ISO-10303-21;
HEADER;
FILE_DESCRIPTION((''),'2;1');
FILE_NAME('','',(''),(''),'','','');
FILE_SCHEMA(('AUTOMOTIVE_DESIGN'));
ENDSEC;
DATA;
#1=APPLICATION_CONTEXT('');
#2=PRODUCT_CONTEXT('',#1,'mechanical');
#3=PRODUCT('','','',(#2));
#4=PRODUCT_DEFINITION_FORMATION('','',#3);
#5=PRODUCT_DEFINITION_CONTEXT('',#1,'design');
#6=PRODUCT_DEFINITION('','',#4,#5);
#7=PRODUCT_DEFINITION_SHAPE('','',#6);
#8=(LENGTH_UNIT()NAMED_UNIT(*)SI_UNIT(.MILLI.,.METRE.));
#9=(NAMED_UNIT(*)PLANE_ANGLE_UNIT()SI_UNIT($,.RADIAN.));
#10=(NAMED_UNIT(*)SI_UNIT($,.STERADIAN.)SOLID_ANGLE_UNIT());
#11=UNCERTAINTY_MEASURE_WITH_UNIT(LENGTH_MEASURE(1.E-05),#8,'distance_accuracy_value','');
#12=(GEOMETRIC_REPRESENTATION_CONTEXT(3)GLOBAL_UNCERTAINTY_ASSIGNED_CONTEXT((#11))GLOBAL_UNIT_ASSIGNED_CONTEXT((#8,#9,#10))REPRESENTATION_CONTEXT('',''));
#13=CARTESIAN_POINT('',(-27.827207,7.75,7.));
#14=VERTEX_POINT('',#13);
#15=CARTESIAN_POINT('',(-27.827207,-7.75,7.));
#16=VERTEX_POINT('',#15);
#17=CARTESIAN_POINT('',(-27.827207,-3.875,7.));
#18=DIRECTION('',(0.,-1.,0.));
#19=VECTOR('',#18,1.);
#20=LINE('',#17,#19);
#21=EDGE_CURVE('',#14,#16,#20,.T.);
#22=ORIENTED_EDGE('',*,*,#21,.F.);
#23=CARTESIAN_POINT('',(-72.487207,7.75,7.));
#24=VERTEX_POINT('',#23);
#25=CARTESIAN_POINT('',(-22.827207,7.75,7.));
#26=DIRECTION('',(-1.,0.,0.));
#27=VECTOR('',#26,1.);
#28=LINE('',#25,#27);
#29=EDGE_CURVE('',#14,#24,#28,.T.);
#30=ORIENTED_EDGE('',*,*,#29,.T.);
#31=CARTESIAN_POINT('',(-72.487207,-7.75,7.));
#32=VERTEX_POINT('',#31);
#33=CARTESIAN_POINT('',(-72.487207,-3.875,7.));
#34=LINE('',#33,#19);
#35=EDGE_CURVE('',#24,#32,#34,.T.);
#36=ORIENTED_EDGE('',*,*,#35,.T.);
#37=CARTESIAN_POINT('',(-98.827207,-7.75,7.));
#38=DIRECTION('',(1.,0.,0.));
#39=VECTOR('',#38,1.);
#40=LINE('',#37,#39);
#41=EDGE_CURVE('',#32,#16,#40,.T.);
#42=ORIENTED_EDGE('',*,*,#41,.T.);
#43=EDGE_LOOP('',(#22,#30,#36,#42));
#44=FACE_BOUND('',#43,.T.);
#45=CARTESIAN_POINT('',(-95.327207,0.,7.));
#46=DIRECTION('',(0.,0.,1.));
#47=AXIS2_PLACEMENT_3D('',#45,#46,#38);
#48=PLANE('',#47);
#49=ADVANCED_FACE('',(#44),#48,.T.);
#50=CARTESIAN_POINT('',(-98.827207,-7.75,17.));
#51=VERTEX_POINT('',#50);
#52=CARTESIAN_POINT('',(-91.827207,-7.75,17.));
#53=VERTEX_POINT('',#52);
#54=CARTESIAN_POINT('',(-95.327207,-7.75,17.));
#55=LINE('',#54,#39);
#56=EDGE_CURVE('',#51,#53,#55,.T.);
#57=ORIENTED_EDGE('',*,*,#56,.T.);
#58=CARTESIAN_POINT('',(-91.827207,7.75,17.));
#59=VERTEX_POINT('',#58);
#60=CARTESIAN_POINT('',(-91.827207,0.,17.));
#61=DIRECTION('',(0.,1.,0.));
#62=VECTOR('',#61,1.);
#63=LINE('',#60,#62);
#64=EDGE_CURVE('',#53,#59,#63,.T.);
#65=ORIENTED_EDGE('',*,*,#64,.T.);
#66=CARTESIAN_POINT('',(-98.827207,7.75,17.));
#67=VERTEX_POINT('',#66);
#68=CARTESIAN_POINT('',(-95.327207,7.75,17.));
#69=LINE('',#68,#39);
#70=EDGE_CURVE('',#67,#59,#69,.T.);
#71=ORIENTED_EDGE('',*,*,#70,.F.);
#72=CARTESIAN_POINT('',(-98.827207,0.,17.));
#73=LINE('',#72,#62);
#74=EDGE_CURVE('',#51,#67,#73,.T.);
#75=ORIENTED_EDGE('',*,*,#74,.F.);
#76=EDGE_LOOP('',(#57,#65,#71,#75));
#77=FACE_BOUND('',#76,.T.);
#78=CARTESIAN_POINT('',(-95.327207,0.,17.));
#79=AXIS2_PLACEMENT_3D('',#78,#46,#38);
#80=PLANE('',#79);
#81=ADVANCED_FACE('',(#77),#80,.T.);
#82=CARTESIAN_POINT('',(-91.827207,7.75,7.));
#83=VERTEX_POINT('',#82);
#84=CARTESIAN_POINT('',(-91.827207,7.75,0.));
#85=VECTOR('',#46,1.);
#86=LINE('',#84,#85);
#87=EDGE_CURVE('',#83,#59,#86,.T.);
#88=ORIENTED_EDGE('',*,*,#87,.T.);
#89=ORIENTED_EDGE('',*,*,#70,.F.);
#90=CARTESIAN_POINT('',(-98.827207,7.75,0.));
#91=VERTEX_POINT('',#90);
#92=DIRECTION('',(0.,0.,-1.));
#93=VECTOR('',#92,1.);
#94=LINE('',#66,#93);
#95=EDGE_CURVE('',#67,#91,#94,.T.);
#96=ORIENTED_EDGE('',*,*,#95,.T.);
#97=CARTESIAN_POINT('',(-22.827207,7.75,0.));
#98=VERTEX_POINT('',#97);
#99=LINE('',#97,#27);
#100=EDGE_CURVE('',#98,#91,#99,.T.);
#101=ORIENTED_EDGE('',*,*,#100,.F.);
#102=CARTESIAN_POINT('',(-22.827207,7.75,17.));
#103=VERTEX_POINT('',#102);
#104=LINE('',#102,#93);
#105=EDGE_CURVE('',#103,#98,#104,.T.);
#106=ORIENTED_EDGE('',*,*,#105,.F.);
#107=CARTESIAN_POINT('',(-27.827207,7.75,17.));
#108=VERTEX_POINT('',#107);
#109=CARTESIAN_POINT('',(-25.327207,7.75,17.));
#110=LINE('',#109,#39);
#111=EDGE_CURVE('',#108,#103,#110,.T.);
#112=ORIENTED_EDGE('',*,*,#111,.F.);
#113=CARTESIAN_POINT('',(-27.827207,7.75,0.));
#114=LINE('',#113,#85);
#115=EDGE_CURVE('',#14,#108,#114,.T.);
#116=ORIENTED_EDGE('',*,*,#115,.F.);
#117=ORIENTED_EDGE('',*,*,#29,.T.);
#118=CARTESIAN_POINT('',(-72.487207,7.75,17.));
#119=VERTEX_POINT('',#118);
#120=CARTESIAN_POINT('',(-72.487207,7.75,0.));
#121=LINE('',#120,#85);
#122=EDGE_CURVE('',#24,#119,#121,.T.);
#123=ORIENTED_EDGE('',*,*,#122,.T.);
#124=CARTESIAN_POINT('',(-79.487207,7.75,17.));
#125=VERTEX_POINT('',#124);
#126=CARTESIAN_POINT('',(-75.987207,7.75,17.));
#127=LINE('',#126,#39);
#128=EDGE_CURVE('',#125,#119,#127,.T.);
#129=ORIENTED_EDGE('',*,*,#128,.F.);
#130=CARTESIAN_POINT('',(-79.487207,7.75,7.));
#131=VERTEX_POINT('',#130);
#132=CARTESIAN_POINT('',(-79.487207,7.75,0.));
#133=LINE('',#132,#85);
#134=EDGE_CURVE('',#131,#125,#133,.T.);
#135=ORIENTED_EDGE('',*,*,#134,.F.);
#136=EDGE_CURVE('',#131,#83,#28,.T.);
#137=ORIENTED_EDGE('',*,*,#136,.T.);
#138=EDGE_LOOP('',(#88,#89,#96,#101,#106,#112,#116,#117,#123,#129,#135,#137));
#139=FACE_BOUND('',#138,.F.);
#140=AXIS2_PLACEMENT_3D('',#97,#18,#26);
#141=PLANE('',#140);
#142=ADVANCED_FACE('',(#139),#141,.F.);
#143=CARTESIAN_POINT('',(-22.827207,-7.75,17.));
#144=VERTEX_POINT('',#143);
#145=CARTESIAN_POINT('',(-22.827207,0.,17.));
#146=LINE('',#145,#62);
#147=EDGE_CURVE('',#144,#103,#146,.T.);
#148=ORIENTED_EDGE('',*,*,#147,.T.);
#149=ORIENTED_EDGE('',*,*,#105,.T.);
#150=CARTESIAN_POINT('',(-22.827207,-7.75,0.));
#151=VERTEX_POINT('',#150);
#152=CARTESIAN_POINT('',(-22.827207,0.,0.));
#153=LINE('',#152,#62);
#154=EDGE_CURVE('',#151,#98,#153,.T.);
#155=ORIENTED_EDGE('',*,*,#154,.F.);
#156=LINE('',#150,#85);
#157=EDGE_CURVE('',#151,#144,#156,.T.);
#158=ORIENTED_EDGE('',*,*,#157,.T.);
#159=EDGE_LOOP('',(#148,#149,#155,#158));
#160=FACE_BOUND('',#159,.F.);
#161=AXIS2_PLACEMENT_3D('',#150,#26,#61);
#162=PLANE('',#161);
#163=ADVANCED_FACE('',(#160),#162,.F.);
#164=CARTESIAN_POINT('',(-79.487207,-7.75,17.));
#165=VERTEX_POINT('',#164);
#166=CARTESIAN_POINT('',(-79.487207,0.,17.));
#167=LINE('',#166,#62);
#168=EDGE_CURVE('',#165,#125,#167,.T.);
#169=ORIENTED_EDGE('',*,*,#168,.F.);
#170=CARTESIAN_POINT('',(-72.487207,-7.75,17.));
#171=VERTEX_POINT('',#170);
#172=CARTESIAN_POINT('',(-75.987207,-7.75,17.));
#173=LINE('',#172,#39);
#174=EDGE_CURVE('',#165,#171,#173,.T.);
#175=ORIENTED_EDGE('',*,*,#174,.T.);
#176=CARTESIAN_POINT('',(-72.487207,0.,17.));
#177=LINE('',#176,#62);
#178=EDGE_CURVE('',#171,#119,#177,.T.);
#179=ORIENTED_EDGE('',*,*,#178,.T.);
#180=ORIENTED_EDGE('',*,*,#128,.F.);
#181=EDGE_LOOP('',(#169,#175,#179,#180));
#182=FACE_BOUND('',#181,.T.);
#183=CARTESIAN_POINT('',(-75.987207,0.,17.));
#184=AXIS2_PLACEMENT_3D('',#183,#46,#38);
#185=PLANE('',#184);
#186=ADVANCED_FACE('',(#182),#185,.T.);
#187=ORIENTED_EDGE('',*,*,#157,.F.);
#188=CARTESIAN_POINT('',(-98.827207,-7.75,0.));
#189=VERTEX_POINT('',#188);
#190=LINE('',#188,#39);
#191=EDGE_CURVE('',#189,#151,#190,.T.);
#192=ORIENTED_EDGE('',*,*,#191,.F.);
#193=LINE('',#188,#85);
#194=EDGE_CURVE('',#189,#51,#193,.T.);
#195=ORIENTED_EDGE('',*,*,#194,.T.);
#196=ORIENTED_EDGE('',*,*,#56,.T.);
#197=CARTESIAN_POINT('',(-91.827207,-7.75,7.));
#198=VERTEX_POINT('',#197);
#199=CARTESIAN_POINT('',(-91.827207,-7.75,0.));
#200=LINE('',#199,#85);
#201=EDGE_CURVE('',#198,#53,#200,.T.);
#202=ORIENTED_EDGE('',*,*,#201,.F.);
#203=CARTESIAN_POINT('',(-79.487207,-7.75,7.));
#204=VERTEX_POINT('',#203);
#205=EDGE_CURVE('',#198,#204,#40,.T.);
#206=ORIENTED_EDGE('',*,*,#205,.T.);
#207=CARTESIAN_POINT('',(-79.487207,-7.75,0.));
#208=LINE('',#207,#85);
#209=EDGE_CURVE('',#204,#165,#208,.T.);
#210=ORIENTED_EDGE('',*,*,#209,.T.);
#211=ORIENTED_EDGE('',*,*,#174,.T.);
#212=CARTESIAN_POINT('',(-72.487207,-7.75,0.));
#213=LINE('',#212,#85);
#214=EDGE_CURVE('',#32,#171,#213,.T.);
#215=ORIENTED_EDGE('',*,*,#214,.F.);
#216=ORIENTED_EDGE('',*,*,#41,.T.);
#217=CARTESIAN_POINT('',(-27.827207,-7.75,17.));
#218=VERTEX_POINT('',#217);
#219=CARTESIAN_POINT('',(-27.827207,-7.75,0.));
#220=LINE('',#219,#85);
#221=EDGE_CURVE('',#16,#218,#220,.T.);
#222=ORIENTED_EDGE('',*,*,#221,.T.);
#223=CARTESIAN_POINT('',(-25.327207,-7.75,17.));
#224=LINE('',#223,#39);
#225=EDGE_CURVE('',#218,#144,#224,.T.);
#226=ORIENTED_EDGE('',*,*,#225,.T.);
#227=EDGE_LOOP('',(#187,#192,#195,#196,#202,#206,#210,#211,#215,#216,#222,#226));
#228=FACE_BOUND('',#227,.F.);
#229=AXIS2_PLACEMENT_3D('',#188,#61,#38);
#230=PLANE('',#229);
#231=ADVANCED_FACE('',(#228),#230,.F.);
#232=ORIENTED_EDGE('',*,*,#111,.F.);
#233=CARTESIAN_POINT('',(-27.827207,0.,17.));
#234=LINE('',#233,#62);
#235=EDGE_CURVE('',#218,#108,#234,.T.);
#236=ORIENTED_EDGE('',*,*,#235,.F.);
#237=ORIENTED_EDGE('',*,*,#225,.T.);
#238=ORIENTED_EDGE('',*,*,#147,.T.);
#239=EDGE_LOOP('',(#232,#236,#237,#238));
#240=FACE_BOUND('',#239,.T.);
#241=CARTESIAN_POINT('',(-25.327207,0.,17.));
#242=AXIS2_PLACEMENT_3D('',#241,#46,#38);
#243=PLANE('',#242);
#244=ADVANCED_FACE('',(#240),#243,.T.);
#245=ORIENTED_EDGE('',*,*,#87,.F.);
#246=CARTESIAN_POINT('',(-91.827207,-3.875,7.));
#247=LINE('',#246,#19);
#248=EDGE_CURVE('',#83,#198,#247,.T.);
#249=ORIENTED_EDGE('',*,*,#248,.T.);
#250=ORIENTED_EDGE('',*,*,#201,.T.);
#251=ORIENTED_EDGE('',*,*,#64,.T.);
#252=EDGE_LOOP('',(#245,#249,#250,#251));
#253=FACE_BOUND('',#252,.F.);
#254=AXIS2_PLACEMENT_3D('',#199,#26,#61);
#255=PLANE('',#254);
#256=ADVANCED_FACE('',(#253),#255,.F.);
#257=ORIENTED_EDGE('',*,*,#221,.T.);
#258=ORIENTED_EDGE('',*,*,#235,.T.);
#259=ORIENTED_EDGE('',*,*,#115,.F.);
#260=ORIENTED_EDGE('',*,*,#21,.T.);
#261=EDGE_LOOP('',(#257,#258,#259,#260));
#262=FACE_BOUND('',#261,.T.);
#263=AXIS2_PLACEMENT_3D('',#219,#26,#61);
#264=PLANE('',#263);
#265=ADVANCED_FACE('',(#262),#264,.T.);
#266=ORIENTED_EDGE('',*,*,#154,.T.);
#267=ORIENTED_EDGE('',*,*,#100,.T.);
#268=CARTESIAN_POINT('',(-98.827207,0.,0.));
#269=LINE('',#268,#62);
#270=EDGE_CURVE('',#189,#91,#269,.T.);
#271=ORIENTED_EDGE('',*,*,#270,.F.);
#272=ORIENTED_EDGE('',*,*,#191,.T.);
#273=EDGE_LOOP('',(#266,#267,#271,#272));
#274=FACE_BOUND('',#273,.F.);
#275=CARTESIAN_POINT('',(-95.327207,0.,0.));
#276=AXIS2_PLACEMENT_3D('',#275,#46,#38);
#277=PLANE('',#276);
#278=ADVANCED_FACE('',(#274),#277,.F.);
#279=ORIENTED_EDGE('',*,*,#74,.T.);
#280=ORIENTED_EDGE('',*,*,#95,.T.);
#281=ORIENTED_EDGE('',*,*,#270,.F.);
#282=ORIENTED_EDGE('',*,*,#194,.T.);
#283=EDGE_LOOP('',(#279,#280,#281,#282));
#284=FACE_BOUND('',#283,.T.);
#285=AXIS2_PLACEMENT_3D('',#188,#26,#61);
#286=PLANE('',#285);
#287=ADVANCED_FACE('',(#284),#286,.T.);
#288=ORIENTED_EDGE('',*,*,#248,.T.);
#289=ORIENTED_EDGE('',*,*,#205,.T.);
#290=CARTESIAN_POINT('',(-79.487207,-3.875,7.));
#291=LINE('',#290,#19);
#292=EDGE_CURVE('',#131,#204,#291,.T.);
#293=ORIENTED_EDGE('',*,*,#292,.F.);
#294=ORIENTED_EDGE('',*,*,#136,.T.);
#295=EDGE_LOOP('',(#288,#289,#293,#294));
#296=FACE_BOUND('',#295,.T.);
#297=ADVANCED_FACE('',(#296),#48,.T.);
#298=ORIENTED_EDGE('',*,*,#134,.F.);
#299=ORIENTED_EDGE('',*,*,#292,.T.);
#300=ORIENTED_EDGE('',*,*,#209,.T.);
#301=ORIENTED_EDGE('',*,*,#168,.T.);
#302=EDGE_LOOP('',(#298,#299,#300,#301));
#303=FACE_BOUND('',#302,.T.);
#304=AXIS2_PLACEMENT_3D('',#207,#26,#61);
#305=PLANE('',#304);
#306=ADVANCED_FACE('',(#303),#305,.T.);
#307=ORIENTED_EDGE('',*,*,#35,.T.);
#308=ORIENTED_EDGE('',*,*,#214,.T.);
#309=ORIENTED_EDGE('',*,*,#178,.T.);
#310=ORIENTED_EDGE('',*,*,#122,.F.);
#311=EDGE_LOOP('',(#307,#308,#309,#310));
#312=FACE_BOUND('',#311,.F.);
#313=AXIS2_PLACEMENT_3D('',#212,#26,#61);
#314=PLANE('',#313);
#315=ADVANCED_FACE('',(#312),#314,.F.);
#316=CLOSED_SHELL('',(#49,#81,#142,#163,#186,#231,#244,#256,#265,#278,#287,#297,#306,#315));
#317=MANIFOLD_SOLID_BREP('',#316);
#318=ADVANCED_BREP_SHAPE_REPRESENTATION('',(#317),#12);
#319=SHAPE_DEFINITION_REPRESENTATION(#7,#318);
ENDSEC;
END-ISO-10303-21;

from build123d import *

# Parameters (mm, degrees)
F0_W     = 7
F0_H     = 15.5
F0_W_2   = 12.34
F0_W_3   = 44.66
F0_W_4   = 5
F1_DEPTH = 7
F2_DEPTH = 17


with BuildPart() as f1:
    # F0 (on Top) → F1 (new body)
    with BuildSketch(Plane.XY):
        with Locations((-95.327207, 0)):
            Rectangle(F0_W, F0_H)
        with Locations((-85.657207, 0)):
            Rectangle(F0_W_2, F0_H)
        with Locations((-75.987207, 0)):
            Rectangle(F0_W, F0_H)
        with Locations((-50.157207, 0)):
            Rectangle(F0_W_3, F0_H)
        with Locations((-25.327207, 0)):
            Rectangle(F0_W_4, F0_H)
    extrude(amount=F1_DEPTH)

    # F0 (on Top) → F2 (join)
    with BuildSketch(Plane.XY):
        with Locations((-95.327207, 0)):
            Rectangle(F0_W, F0_H)
        with Locations((-75.987207, 0)):
            Rectangle(F0_W, F0_H)
        with Locations((-25.327207, 0)):
            Rectangle(F0_W_4, F0_H)
    extrude(amount=F2_DEPTH)


solid = f1.part
